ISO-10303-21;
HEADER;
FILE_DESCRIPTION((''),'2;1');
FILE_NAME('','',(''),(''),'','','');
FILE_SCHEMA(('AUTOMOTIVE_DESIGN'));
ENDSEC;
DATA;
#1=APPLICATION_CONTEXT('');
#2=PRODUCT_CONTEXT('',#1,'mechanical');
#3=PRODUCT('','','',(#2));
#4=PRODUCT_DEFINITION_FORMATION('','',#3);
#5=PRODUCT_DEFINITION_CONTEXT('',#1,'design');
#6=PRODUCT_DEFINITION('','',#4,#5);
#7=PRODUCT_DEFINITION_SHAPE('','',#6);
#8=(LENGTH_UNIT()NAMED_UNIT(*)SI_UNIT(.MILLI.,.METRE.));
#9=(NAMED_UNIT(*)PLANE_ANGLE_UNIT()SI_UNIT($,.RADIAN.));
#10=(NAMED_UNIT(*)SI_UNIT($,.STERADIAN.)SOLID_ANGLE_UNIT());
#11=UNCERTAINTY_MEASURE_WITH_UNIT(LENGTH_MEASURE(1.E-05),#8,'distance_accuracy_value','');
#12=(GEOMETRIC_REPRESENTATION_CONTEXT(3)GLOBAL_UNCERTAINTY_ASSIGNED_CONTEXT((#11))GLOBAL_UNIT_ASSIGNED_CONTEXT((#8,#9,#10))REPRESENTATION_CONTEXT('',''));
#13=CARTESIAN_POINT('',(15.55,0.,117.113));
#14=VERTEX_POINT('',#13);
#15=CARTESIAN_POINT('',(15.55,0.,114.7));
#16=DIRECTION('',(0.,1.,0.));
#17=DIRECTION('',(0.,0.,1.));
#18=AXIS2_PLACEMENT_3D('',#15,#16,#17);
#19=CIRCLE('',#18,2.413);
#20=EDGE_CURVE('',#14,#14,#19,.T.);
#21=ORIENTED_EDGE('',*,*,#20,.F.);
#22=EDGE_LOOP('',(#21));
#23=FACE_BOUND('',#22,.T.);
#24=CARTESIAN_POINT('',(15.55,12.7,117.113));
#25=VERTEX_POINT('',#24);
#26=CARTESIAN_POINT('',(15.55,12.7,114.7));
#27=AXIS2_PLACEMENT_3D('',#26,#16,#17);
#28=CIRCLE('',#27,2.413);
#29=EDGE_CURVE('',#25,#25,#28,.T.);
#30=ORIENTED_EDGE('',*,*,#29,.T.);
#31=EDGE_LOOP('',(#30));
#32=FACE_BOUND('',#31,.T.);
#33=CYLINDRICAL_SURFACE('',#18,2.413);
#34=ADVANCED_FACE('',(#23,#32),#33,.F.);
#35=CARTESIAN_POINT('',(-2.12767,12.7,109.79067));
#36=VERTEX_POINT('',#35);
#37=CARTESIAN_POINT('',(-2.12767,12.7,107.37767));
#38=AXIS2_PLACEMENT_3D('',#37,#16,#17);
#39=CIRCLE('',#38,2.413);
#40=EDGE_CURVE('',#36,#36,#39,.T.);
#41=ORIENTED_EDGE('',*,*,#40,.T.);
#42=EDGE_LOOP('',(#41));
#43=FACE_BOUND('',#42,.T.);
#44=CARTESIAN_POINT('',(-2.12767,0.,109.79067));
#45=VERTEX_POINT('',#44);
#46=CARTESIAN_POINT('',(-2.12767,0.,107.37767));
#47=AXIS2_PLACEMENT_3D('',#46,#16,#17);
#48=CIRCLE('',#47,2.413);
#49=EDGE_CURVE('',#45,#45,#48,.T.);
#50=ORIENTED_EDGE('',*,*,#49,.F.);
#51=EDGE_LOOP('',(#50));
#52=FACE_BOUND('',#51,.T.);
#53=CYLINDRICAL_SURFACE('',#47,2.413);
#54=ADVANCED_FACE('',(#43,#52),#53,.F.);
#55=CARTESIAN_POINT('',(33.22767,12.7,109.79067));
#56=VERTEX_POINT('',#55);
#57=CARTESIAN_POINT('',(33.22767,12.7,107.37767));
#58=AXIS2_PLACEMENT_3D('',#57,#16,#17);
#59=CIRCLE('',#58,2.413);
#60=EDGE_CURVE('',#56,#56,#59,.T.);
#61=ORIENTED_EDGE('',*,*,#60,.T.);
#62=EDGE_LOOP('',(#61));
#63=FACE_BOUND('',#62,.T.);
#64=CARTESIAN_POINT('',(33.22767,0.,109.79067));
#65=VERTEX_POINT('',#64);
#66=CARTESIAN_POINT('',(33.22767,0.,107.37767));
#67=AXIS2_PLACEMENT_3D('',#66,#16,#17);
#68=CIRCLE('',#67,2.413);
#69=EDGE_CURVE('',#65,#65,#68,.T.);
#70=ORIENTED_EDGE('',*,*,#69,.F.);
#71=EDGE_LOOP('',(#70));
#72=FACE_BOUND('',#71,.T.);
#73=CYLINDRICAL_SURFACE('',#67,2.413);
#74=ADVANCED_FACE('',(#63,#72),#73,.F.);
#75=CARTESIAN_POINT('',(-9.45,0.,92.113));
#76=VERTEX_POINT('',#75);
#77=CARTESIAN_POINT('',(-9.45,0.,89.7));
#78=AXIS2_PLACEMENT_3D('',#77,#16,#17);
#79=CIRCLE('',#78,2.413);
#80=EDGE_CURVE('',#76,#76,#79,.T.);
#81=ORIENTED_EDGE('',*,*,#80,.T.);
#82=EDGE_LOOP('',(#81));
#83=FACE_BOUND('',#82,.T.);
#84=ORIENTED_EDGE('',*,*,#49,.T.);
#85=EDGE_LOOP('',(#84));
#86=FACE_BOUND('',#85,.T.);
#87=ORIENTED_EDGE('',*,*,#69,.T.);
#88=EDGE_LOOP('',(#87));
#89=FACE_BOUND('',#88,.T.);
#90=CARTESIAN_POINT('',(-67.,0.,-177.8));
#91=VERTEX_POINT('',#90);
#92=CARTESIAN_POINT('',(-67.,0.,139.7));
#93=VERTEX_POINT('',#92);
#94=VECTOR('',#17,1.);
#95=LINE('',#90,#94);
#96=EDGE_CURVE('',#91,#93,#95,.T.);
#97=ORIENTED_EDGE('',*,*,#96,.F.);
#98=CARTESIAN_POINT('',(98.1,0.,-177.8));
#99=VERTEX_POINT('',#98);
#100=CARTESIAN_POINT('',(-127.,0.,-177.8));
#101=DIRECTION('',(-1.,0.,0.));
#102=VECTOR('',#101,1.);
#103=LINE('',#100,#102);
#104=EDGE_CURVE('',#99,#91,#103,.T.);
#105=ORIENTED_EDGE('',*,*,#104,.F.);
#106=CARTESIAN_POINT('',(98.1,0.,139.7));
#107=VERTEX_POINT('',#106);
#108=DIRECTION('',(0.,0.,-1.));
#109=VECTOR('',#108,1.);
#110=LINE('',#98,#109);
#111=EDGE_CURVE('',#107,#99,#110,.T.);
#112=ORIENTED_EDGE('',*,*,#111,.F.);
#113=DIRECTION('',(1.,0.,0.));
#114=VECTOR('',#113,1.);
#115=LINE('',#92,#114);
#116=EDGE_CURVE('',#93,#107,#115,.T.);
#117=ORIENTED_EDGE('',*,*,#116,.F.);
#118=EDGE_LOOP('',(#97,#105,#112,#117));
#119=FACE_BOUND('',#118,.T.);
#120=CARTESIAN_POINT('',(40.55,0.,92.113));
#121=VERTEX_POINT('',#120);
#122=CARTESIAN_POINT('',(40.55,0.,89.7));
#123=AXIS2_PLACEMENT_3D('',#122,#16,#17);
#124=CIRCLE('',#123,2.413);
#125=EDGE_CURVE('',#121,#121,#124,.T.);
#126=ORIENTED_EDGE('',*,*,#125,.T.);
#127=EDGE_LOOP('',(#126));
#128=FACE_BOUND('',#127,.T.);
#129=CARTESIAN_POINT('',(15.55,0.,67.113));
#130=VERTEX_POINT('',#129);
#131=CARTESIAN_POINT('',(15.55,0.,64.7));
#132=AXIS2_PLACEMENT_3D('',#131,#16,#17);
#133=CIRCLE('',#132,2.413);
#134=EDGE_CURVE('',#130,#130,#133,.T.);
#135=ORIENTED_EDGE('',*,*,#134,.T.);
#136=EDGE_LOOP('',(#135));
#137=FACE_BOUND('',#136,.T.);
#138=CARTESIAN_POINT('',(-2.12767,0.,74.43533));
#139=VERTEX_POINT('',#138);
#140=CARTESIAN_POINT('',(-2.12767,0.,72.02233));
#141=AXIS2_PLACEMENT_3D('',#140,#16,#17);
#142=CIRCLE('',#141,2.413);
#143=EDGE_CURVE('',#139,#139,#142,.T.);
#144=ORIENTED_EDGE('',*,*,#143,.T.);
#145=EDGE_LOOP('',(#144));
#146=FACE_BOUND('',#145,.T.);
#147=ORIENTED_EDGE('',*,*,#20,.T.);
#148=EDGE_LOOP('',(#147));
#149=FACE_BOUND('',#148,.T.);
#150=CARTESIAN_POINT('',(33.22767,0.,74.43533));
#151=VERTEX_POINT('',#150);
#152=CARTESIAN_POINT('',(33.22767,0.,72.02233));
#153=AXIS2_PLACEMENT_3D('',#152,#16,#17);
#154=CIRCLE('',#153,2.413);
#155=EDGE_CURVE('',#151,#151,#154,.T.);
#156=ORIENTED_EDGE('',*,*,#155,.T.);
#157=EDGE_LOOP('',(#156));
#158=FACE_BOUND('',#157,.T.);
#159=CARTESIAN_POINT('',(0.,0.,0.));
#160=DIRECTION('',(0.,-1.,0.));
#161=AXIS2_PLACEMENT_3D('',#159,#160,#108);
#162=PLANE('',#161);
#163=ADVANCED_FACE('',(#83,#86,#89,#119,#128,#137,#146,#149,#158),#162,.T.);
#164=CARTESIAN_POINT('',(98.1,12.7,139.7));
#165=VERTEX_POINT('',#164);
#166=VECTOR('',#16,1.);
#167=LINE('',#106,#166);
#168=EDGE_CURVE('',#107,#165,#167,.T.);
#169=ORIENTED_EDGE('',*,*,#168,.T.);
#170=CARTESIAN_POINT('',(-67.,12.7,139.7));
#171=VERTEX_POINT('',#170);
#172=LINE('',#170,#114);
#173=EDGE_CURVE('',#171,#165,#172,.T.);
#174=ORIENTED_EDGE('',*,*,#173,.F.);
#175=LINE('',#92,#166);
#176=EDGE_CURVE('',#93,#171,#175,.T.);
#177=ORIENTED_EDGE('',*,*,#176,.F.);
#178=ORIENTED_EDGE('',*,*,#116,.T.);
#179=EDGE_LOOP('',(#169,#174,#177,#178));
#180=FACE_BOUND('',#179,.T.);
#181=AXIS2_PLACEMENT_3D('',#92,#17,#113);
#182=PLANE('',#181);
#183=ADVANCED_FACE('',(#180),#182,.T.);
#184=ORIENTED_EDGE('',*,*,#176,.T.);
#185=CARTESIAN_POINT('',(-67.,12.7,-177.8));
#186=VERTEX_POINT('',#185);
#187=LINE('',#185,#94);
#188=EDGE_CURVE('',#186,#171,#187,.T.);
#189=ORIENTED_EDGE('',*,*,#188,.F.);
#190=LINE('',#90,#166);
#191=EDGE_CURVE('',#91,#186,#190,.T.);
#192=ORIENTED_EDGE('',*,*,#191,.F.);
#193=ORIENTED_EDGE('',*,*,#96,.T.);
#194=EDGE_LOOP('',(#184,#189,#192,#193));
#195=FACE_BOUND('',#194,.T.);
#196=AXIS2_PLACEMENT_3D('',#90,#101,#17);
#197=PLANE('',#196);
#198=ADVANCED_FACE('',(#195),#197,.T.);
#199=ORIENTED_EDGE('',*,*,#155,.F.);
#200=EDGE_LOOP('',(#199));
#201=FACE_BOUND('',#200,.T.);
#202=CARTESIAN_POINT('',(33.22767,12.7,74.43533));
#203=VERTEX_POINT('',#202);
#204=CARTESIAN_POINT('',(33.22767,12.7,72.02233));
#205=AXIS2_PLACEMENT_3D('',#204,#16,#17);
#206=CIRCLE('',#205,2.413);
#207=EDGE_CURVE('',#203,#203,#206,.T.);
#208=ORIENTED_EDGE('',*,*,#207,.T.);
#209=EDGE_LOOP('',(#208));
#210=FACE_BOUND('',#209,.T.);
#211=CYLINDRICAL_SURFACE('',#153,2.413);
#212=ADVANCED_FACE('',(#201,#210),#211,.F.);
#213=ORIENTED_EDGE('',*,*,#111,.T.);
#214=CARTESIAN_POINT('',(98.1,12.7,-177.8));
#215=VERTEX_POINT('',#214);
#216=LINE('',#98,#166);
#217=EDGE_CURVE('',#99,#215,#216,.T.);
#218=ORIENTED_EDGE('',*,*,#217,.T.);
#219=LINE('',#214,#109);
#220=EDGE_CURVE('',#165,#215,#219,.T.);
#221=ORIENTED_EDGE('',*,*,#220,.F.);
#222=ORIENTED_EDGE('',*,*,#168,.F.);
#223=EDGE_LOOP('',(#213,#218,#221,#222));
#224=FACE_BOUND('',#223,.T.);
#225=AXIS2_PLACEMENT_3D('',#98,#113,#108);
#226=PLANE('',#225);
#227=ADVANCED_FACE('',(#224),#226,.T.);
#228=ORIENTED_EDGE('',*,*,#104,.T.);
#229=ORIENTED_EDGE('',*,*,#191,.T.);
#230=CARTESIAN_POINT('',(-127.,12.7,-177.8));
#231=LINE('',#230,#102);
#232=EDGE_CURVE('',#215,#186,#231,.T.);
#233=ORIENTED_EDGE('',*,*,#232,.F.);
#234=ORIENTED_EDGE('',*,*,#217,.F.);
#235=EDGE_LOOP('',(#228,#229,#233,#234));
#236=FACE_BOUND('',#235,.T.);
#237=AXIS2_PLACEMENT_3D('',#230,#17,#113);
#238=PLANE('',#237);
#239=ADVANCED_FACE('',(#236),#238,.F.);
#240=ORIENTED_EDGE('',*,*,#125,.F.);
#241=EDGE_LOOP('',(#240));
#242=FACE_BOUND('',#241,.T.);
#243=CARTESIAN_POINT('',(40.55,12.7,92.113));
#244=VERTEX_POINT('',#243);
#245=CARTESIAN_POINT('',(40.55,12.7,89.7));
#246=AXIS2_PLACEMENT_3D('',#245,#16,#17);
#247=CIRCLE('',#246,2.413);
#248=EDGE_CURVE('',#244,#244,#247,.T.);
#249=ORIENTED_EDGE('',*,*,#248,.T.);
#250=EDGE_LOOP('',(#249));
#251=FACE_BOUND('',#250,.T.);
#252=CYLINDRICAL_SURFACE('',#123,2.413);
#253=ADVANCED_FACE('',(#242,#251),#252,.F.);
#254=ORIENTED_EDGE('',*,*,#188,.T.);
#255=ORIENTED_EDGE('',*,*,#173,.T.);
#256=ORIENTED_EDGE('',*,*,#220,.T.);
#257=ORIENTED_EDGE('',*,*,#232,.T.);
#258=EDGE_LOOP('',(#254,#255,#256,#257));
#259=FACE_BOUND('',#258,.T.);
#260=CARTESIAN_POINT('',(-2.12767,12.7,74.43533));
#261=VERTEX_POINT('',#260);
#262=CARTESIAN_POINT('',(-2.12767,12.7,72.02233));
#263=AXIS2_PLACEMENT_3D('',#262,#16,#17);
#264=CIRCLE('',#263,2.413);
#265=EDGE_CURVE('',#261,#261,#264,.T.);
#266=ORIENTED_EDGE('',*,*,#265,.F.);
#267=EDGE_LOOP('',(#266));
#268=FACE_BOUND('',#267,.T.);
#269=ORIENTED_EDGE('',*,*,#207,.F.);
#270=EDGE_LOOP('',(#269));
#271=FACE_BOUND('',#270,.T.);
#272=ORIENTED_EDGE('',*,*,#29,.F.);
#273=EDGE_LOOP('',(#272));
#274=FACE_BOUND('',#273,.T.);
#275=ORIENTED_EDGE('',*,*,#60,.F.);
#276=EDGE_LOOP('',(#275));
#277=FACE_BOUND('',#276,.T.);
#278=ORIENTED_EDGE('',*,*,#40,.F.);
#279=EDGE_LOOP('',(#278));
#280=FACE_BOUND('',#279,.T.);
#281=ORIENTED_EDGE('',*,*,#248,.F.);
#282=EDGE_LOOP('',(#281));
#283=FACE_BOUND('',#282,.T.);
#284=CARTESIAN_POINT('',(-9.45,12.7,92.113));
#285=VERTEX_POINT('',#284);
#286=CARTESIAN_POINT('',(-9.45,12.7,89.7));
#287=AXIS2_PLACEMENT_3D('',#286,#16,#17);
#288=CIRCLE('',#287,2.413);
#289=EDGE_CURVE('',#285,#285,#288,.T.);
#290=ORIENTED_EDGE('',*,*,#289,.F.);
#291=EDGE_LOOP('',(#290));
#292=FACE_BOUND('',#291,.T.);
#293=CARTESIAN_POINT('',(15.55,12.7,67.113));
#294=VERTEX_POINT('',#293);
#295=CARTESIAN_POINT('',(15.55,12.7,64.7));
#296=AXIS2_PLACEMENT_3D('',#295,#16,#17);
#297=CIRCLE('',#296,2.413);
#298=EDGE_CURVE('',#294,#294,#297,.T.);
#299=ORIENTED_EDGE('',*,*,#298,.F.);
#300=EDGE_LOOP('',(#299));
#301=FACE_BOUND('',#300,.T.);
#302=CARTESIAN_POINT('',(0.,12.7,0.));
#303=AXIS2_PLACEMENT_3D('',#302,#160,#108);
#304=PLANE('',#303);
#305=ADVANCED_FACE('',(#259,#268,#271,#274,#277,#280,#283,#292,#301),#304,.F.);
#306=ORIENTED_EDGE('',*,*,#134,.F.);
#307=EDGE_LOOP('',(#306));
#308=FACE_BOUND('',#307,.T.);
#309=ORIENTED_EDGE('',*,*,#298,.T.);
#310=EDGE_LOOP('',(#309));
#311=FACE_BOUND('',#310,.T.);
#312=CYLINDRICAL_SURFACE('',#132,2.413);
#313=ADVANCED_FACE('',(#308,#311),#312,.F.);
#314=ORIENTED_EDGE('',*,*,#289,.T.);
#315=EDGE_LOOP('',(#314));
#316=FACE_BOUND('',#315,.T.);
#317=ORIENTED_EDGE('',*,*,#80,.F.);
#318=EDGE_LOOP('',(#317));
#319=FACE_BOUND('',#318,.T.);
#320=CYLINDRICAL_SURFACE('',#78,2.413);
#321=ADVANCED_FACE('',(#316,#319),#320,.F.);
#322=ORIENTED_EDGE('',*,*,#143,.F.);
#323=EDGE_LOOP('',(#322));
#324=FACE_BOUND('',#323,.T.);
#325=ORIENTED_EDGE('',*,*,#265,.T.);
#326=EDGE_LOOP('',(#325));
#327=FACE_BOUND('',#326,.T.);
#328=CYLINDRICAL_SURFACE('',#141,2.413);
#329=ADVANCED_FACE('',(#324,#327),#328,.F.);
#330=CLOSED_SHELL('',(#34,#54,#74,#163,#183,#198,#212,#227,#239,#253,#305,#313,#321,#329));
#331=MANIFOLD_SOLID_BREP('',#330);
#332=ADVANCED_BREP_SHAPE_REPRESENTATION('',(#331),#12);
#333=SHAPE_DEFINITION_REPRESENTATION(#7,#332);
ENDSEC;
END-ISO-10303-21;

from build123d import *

# Parameters (mm, degrees)
SKETCH1_W           = 254
SKETCH1_H           = 355.6
BASE_EXTRUDE_DEPTH  = 12.7
SKETCH6_OUTSIDE_W   = 343.436
SKETCH6_OUTSIDE_H   = 445.036
SKETCH6_OUTSIDE_W_2 = 165.1
SKETCH6_OUTSIDE_H_2 = 317.5
CUT_TO_SIZE_DEPTH   = 219.867836833
SKETCH12_R          = 2.413
CUT_EXTRUDE3_DEPTH  = 204.464345771


with BuildPart() as part:
    # Sketch1 → Base_extrude (new body)
    with BuildSketch(Plane(origin=(0, 0, 0), x_dir=(1, 0, 0), z_dir=(0, 1, 0))):
        Rectangle(SKETCH1_W, SKETCH1_H)
    extrude(amount=BASE_EXTRUDE_DEPTH)

    # Sketch6 outside → Cut_to_size (cut, through all)
    with BuildSketch(Plane(origin=(0, 12.7, 0), x_dir=(1, 0, 0), z_dir=(0, 1, 0))):
        Rectangle(SKETCH6_OUTSIDE_W, SKETCH6_OUTSIDE_H)
        with Locations((15.55, 19.05)):
            Rectangle(SKETCH6_OUTSIDE_W_2, SKETCH6_OUTSIDE_H_2, mode=Mode.SUBTRACT)
    extrude(amount=-CUT_TO_SIZE_DEPTH, mode=Mode.SUBTRACT)

    # Sketch12 → Cut-Extrude3 (cut, through all)
    with BuildSketch(Plane(origin=(0, 12.7, 0), x_dir=(1, 0, 0), z_dir=(0, 1, 0))):
        with Locations(Location((33.22766953, -107.37766953, 0), (0, 0, 270))):
            Circle(SKETCH12_R)
        with Locations(Location((40.55, -89.7, 0), (0, 0, 270))):
            Circle(SKETCH12_R)
        with Locations(Location((33.22766953, -72.02233047, 0), (0, 0, 270))):
            Circle(SKETCH12_R)
        with Locations(Location((15.55, -64.7, 0), (0, 0, 270))):
            Circle(SKETCH12_R)
        with Locations(Location((-2.12766953, -72.02233047, 0), (0, 0, 270))):
            Circle(SKETCH12_R)
        with Locations(Location((-9.45, -89.7, 0), (0, 0, 270))):
            Circle(SKETCH12_R)
        with Locations(Location((-2.12766953, -107.37766953, 0), (0, 0, 270))):
            Circle(SKETCH12_R)
        with Locations(Location((15.55, -114.7, 0), (0, 0, 270))):
            Circle(SKETCH12_R)
    extrude(amount=-CUT_EXTRUDE3_DEPTH, mode=Mode.SUBTRACT)


solid = part.part
